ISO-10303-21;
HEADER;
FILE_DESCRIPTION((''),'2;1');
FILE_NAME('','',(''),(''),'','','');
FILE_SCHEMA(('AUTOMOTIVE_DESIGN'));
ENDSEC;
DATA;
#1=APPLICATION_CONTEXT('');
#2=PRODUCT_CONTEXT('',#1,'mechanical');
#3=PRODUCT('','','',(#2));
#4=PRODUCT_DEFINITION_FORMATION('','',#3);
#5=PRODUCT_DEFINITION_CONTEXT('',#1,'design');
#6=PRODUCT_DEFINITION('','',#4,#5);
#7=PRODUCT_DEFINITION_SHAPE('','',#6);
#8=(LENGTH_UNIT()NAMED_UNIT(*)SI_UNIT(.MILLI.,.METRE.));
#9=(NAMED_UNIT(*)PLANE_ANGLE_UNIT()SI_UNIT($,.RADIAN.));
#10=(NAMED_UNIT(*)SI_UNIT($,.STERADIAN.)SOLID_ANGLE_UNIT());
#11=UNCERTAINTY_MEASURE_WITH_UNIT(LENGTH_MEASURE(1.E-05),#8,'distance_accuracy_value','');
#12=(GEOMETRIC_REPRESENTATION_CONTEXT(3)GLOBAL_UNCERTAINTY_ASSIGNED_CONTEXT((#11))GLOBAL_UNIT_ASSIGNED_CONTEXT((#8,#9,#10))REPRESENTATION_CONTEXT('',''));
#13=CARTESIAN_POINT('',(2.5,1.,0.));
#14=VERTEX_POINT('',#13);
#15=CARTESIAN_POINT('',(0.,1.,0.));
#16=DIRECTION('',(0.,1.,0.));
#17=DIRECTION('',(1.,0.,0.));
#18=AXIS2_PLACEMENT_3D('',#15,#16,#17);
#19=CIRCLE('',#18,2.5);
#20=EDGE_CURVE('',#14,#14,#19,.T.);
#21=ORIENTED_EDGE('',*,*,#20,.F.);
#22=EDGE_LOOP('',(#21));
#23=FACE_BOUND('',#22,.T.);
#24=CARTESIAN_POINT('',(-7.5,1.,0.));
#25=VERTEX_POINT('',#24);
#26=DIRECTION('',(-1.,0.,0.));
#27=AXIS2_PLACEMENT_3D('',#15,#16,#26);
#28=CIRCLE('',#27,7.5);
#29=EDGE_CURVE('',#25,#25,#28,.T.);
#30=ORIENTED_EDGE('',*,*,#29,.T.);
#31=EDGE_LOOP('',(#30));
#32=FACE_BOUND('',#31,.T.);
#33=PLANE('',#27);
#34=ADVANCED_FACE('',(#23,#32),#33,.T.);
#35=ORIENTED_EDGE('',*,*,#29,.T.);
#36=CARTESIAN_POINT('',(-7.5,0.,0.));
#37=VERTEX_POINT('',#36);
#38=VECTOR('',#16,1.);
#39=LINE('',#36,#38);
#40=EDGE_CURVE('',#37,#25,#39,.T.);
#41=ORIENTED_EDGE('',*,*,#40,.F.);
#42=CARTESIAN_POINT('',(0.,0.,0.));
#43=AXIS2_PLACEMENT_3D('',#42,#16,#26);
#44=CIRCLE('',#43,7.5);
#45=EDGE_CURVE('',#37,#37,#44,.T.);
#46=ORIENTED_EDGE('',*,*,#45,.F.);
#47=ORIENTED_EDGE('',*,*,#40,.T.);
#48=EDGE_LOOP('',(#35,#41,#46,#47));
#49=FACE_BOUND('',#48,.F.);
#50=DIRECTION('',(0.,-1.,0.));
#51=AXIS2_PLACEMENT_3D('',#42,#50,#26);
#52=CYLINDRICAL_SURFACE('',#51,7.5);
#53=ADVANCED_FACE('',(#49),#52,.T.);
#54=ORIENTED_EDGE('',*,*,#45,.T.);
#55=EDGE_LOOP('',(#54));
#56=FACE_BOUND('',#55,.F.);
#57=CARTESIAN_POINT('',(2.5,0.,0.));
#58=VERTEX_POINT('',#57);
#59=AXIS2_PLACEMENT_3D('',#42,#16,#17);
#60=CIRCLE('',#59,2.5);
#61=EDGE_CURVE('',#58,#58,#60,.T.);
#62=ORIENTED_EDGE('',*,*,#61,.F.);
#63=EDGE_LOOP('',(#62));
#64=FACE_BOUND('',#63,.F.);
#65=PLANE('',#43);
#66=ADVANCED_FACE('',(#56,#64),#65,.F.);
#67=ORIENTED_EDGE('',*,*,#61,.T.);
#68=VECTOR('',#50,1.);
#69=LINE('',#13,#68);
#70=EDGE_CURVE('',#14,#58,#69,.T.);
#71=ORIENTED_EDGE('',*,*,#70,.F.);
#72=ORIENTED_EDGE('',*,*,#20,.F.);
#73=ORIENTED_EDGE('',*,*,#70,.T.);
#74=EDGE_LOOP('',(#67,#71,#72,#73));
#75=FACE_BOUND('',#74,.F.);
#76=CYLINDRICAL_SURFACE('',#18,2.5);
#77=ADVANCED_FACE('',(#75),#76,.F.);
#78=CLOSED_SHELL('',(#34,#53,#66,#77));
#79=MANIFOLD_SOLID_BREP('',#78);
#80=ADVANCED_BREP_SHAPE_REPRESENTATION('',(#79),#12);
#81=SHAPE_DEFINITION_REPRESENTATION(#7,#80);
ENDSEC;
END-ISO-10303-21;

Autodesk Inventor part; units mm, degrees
ref_plane "YZ Plane" through (0, 0, 0) normal (1, 0, 0) x (0, 1, 0)
ref_plane "XZ Plane" through (0, 0, 0) normal (0, 1, 0) x (-1, 0, 0)
ref_plane "XY Plane" through (0, 0, 0) normal (0, 0, 1) x (1, 0, 0)
sketch "Sketch1" plane through (0, 0, 0) normal (0, 1, 0) x (-1, 0, 0)
  circle A0 centre (0, 0) radius 7.5
  dimension "d0" = 15
extrude "Extrusion1" add sketch "Sketch1" along normal blind 1
sketch "Sketch2" plane through (0, 1, 0) normal (0, 1, 0) x (1, 0, 0)
  circle A0 centre (0, 0) radius 2.5
  dimension "d3" = 5
extrude "Extrusion2" cut sketch "Sketch2" against normal blind 1
properties part number "spacer"
